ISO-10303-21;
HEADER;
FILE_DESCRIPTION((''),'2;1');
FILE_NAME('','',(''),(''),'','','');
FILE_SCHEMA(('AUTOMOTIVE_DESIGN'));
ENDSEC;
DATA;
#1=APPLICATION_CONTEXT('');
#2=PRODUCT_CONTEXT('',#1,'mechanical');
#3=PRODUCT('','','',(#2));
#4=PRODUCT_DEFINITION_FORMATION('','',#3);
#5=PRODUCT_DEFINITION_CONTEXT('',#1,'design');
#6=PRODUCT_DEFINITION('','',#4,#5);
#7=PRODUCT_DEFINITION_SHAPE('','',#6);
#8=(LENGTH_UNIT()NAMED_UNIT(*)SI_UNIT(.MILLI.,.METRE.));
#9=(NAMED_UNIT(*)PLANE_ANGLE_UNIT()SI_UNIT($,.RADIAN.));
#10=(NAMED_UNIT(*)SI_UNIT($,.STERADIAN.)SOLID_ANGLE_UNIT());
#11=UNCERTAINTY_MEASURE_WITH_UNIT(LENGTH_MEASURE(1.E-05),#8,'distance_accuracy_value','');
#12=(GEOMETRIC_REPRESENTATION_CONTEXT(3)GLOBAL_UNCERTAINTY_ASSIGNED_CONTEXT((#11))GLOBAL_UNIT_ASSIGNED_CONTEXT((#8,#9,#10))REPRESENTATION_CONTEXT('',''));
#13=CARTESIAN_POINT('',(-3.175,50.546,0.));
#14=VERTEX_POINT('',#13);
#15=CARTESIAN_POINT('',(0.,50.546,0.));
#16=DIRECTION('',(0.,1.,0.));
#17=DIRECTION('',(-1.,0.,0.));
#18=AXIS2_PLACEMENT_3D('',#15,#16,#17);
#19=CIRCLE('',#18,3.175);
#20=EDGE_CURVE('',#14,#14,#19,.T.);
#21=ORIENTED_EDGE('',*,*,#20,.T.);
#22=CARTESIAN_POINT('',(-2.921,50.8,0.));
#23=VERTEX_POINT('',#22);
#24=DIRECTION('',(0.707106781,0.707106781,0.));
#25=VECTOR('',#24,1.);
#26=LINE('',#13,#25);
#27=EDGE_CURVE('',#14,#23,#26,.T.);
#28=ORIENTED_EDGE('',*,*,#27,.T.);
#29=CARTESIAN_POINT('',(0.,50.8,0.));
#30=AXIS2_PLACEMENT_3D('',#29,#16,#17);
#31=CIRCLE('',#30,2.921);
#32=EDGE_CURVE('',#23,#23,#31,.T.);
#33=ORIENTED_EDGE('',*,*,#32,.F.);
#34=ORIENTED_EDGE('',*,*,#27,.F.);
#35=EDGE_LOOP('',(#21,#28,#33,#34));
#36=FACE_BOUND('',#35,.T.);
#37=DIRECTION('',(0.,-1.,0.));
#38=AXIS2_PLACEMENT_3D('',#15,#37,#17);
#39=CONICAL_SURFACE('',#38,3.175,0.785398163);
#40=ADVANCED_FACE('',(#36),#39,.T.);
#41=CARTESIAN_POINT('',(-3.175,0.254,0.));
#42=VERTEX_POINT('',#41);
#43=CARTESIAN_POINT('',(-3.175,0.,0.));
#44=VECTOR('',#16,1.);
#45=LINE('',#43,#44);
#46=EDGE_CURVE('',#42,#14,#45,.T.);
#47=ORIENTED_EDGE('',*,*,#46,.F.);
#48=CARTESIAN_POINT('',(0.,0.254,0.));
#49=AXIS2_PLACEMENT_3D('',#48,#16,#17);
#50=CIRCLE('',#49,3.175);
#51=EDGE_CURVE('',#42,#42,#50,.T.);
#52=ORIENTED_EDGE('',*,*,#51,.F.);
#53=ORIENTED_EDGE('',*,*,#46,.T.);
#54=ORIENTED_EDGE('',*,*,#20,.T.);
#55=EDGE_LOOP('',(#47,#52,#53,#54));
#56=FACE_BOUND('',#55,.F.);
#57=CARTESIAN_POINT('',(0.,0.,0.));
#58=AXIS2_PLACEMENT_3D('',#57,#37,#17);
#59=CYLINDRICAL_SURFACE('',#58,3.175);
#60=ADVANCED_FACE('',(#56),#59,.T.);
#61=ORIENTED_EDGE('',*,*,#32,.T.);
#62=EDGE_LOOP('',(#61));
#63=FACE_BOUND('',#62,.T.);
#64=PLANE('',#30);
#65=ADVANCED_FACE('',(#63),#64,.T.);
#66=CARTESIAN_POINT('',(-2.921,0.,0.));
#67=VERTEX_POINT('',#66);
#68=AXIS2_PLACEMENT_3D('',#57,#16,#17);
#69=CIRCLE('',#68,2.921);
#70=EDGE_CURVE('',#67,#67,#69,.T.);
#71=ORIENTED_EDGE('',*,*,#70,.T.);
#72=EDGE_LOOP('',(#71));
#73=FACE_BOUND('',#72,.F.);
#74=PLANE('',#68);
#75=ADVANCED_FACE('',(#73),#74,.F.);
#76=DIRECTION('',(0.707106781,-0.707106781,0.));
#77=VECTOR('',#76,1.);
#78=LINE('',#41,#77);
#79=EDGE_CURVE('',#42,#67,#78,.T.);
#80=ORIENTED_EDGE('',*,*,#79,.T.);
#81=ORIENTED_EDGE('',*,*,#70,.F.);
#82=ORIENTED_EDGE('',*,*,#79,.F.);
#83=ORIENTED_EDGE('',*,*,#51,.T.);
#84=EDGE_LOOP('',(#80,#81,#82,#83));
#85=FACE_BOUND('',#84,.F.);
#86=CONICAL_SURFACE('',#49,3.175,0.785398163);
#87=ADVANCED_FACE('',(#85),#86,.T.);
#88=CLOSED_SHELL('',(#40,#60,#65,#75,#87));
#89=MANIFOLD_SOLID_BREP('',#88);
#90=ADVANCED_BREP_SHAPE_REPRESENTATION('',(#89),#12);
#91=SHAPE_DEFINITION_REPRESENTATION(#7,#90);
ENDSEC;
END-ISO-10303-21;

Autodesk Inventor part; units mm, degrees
ref_plane "YZ Plane" through (0, 0, 0) normal (1, 0, 0) x (0, 1, 0)
ref_plane "XZ Plane" through (0, 0, 0) normal (0, 1, 0) x (-1, 0, 0)
ref_plane "XY Plane" through (0, 0, 0) normal (0, 0, 1) x (1, 0, 0)
sketch "Sketch1" plane through (0, 0, 0) normal (0, 1, 0) x (-1, 0, 0)
  circle A0 centre (0, 0) radius 3.175
  dimension "d0" = 6.35
extrude "Extrusion1" add sketch "Sketch1" along normal blind 50.8
chamfer "Chamfer1" distance 0.254 angle 45 2 edges at (3.175, 50.8, 0) (3.175, 0, 0)
properties part number "Axle-Brass"
